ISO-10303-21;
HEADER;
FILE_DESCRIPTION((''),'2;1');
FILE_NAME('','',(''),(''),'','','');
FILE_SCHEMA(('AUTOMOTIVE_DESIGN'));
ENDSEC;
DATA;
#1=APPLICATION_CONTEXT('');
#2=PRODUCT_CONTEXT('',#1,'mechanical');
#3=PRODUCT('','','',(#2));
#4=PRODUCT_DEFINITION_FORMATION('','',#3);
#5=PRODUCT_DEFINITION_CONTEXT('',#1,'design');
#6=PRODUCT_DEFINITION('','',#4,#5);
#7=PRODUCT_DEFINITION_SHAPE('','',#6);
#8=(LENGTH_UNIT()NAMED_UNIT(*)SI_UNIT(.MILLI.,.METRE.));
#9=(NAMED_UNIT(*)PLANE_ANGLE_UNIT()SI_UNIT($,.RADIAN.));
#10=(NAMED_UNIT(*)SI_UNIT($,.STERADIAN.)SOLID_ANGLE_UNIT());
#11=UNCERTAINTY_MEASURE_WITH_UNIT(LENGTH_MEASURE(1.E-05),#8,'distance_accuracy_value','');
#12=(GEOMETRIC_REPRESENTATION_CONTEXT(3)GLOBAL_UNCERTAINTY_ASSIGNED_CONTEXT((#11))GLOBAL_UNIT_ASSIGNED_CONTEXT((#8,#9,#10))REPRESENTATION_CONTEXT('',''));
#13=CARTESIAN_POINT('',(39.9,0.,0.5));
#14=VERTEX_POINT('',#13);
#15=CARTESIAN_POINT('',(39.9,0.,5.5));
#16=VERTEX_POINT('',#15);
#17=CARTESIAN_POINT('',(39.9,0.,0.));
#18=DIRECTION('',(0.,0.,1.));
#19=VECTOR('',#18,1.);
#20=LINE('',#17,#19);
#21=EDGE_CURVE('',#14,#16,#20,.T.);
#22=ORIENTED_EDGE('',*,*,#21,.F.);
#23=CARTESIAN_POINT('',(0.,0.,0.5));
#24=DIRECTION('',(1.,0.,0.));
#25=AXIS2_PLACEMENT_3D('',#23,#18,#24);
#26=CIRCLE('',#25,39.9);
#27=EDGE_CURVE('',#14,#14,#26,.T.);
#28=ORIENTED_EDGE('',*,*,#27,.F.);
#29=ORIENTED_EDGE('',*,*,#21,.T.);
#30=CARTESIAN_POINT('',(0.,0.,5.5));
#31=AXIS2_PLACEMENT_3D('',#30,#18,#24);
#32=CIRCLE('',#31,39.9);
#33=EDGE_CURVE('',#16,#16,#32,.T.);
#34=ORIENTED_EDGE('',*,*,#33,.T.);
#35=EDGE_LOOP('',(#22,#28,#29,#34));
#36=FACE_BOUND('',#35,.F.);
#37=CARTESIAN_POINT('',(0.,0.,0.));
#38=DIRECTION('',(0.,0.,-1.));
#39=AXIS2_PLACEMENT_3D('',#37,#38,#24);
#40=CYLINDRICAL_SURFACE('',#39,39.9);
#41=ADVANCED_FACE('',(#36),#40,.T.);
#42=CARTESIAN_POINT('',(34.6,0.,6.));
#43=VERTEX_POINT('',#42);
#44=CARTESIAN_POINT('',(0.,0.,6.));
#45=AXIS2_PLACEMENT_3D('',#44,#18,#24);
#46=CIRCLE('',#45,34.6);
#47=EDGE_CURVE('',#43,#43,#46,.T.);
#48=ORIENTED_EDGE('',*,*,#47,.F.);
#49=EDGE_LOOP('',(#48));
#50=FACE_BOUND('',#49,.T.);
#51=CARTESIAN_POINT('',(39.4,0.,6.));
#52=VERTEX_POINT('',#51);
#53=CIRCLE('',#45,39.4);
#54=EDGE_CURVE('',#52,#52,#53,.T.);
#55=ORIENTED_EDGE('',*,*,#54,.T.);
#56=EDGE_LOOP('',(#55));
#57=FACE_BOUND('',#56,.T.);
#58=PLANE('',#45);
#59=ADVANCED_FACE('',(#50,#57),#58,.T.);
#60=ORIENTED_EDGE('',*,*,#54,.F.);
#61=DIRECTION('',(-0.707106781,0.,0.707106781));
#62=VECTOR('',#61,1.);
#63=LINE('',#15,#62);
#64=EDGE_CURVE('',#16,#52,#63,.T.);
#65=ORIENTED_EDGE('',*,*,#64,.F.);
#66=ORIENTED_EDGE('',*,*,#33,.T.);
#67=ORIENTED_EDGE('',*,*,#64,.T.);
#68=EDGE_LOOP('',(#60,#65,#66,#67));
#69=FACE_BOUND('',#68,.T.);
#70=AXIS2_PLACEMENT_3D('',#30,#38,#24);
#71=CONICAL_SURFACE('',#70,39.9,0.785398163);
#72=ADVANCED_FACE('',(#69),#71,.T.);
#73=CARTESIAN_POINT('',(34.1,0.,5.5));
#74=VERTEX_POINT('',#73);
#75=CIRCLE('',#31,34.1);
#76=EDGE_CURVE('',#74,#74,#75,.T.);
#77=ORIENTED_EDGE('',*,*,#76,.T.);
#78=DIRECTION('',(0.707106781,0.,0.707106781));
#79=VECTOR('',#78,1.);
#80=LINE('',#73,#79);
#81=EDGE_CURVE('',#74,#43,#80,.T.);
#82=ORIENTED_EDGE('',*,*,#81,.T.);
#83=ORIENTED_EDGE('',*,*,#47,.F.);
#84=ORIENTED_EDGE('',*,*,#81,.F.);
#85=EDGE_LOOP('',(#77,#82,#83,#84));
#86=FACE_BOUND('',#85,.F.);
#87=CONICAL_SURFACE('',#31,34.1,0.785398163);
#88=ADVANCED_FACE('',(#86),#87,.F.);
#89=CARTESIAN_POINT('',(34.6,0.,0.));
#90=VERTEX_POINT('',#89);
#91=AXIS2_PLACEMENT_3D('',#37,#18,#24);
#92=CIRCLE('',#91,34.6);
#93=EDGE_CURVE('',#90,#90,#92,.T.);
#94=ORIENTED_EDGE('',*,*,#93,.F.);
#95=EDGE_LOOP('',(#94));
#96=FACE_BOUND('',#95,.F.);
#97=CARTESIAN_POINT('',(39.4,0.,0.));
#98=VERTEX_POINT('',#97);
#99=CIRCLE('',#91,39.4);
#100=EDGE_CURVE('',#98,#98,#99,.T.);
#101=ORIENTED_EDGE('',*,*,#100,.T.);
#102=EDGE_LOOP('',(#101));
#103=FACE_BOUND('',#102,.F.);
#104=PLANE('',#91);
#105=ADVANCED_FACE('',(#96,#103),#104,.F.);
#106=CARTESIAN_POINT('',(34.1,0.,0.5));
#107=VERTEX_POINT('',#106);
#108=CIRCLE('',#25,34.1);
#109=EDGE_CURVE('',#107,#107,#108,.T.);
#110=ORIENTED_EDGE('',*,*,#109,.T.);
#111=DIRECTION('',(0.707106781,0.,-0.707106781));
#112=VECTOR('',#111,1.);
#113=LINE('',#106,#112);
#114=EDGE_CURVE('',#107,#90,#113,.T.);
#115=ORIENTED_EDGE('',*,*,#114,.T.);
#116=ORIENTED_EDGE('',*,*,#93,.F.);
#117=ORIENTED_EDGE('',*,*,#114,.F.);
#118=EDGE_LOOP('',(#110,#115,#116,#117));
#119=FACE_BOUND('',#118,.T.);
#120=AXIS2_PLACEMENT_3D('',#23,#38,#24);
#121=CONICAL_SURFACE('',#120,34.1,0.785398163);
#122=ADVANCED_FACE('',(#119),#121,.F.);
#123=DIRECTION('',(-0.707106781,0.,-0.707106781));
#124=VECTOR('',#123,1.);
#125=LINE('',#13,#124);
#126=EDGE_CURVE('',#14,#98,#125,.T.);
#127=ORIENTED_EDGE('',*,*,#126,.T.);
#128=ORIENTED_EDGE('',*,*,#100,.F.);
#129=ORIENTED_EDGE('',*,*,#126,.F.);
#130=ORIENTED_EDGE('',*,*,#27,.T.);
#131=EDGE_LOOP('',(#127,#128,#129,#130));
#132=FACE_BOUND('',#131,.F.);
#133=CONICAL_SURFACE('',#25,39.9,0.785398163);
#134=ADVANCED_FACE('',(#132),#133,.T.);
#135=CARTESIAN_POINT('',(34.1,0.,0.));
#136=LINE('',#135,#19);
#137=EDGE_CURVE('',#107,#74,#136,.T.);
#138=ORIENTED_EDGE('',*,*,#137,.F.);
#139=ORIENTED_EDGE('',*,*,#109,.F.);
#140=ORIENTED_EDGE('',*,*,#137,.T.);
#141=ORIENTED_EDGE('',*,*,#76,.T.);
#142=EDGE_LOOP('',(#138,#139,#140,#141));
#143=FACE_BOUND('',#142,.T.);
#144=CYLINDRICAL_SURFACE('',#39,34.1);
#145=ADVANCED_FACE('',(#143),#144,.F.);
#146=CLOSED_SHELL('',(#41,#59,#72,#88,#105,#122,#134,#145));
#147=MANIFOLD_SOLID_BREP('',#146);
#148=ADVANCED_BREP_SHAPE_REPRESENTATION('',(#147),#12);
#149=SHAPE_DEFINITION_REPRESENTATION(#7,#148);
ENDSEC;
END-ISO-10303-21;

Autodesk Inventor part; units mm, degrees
ref_plane "YZ Plane" through (0, 0, 0) normal (1, 0, 0) x (0, 1, 0)
ref_plane "XZ Plane" through (0, 0, 0) normal (0, 1, 0) x (-1, 0, 0)
ref_plane "XY Plane" through (0, 0, 0) normal (0, 0, 1) x (1, 0, 0)
sketch "草图1" plane through (0, 0, 0) normal (0, 0, 1) x (1, 0, 0)
  circle A0 centre (0, 0) radius 39.9
  circle A1 centre (0, 0) radius 34.1
extrude "拉伸1" add sketch "草图1" along normal blind 6
chamfer "倒角1" distance 0.5 angle 45 4 edges at (-34.1, 0, 6) (-34.1, 0, 0) (-39.9, 0, 6) (-39.9, 0, 0)
properties part number "my_attempt"
